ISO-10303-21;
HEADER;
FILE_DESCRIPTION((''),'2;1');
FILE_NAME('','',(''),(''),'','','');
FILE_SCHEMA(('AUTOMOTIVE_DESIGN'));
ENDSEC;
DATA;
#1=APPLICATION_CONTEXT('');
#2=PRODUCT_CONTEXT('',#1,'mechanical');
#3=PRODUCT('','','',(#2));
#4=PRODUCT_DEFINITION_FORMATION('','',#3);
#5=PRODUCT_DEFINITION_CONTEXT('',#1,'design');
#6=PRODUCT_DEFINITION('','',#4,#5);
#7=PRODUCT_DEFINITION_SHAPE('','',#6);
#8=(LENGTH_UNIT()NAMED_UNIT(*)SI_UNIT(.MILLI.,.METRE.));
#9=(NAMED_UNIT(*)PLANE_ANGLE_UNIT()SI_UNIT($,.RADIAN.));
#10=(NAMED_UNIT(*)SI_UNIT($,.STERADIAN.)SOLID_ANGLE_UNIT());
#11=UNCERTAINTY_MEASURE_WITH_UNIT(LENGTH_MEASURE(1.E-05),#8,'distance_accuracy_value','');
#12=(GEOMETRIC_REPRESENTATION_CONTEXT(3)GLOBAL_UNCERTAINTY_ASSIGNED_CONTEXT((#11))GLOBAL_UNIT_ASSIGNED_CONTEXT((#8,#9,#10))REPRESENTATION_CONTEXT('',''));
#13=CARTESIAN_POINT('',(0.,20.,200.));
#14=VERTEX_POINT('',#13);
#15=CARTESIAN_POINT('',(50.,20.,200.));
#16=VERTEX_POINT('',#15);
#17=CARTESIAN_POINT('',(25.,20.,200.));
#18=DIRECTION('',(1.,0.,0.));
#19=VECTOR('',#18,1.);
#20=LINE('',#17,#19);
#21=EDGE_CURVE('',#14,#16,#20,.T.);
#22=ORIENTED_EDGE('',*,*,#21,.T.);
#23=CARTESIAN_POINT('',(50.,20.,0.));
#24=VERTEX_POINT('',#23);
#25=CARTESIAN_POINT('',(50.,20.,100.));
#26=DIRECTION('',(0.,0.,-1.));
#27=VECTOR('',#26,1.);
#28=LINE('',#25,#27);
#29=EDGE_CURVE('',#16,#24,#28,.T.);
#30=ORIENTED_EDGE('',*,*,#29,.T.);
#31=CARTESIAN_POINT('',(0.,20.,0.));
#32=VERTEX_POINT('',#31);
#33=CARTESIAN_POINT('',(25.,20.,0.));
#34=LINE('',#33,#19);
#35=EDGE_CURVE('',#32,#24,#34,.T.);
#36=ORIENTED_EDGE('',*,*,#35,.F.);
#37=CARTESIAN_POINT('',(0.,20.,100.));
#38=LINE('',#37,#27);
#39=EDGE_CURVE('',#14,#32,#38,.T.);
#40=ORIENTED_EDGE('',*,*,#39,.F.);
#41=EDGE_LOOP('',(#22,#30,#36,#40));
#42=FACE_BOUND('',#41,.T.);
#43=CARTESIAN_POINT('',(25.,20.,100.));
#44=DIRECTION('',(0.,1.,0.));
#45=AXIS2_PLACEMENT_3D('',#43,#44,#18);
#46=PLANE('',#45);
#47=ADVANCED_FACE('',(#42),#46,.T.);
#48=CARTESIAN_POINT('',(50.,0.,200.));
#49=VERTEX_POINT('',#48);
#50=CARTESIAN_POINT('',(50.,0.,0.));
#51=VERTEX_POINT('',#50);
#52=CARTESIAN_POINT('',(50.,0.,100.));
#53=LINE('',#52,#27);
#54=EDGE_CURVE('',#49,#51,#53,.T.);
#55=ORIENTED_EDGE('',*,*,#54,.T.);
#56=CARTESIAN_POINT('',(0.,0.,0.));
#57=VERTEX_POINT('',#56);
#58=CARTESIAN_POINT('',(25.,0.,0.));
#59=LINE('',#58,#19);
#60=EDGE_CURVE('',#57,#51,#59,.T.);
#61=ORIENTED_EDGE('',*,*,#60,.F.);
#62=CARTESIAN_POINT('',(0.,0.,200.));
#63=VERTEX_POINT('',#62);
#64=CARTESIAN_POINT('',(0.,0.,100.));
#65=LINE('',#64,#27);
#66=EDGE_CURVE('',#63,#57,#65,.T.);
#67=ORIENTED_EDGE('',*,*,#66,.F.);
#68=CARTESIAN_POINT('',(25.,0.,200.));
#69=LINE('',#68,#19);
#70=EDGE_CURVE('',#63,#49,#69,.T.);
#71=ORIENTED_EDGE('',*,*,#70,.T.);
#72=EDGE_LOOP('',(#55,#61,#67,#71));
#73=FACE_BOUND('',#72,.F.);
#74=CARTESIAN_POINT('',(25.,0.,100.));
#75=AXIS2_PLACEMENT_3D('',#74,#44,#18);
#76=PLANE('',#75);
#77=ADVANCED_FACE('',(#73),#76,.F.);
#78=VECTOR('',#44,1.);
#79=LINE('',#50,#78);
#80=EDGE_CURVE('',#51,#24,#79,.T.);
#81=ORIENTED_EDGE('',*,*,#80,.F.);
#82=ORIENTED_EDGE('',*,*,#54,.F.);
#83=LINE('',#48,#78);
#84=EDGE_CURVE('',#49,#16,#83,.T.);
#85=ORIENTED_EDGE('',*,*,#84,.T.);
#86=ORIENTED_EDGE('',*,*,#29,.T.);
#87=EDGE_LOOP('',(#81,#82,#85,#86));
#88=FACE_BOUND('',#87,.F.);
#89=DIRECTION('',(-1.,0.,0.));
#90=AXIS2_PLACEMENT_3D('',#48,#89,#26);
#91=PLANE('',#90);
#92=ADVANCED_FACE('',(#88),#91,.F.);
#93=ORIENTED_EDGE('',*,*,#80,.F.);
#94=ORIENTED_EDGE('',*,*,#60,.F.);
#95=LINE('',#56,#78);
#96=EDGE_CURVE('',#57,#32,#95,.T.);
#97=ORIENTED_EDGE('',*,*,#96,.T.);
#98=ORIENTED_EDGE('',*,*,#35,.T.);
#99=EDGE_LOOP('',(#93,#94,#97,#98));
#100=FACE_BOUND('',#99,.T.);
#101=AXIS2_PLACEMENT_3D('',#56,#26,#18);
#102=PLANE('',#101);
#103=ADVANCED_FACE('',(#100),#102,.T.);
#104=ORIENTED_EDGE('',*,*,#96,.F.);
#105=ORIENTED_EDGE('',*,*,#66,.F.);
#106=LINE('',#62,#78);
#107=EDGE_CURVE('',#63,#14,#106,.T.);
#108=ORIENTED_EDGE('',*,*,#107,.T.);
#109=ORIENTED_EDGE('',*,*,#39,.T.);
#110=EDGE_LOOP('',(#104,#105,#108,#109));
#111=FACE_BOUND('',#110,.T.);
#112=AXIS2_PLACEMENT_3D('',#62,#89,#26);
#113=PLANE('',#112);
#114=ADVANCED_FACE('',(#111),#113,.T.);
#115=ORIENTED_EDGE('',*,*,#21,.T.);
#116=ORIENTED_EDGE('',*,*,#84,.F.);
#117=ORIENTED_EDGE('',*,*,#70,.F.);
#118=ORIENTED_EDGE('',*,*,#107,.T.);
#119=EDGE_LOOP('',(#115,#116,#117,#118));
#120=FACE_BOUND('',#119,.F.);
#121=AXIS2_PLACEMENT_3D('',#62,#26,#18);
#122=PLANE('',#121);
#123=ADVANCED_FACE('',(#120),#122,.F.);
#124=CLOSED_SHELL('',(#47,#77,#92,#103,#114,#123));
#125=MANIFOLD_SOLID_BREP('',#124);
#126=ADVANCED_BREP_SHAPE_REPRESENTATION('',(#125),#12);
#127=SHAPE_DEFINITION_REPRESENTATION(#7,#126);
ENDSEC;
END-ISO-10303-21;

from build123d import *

# Parameters (mm, degrees)
SKETCH_1_W      = 50
SKETCH_1_H      = 200
EXTRUDE_1_DEPTH = 20


with BuildPart() as part:
    # 草图1 → 凸台-拉伸1 (new body)
    with BuildSketch(Plane(origin=(0, 0, 0), x_dir=(1, 0, 0), z_dir=(0, 1, 0))):
        with Locations((25, -100)):
            Rectangle(SKETCH_1_W, SKETCH_1_H)
    extrude(amount=EXTRUDE_1_DEPTH)


solid = part.part
